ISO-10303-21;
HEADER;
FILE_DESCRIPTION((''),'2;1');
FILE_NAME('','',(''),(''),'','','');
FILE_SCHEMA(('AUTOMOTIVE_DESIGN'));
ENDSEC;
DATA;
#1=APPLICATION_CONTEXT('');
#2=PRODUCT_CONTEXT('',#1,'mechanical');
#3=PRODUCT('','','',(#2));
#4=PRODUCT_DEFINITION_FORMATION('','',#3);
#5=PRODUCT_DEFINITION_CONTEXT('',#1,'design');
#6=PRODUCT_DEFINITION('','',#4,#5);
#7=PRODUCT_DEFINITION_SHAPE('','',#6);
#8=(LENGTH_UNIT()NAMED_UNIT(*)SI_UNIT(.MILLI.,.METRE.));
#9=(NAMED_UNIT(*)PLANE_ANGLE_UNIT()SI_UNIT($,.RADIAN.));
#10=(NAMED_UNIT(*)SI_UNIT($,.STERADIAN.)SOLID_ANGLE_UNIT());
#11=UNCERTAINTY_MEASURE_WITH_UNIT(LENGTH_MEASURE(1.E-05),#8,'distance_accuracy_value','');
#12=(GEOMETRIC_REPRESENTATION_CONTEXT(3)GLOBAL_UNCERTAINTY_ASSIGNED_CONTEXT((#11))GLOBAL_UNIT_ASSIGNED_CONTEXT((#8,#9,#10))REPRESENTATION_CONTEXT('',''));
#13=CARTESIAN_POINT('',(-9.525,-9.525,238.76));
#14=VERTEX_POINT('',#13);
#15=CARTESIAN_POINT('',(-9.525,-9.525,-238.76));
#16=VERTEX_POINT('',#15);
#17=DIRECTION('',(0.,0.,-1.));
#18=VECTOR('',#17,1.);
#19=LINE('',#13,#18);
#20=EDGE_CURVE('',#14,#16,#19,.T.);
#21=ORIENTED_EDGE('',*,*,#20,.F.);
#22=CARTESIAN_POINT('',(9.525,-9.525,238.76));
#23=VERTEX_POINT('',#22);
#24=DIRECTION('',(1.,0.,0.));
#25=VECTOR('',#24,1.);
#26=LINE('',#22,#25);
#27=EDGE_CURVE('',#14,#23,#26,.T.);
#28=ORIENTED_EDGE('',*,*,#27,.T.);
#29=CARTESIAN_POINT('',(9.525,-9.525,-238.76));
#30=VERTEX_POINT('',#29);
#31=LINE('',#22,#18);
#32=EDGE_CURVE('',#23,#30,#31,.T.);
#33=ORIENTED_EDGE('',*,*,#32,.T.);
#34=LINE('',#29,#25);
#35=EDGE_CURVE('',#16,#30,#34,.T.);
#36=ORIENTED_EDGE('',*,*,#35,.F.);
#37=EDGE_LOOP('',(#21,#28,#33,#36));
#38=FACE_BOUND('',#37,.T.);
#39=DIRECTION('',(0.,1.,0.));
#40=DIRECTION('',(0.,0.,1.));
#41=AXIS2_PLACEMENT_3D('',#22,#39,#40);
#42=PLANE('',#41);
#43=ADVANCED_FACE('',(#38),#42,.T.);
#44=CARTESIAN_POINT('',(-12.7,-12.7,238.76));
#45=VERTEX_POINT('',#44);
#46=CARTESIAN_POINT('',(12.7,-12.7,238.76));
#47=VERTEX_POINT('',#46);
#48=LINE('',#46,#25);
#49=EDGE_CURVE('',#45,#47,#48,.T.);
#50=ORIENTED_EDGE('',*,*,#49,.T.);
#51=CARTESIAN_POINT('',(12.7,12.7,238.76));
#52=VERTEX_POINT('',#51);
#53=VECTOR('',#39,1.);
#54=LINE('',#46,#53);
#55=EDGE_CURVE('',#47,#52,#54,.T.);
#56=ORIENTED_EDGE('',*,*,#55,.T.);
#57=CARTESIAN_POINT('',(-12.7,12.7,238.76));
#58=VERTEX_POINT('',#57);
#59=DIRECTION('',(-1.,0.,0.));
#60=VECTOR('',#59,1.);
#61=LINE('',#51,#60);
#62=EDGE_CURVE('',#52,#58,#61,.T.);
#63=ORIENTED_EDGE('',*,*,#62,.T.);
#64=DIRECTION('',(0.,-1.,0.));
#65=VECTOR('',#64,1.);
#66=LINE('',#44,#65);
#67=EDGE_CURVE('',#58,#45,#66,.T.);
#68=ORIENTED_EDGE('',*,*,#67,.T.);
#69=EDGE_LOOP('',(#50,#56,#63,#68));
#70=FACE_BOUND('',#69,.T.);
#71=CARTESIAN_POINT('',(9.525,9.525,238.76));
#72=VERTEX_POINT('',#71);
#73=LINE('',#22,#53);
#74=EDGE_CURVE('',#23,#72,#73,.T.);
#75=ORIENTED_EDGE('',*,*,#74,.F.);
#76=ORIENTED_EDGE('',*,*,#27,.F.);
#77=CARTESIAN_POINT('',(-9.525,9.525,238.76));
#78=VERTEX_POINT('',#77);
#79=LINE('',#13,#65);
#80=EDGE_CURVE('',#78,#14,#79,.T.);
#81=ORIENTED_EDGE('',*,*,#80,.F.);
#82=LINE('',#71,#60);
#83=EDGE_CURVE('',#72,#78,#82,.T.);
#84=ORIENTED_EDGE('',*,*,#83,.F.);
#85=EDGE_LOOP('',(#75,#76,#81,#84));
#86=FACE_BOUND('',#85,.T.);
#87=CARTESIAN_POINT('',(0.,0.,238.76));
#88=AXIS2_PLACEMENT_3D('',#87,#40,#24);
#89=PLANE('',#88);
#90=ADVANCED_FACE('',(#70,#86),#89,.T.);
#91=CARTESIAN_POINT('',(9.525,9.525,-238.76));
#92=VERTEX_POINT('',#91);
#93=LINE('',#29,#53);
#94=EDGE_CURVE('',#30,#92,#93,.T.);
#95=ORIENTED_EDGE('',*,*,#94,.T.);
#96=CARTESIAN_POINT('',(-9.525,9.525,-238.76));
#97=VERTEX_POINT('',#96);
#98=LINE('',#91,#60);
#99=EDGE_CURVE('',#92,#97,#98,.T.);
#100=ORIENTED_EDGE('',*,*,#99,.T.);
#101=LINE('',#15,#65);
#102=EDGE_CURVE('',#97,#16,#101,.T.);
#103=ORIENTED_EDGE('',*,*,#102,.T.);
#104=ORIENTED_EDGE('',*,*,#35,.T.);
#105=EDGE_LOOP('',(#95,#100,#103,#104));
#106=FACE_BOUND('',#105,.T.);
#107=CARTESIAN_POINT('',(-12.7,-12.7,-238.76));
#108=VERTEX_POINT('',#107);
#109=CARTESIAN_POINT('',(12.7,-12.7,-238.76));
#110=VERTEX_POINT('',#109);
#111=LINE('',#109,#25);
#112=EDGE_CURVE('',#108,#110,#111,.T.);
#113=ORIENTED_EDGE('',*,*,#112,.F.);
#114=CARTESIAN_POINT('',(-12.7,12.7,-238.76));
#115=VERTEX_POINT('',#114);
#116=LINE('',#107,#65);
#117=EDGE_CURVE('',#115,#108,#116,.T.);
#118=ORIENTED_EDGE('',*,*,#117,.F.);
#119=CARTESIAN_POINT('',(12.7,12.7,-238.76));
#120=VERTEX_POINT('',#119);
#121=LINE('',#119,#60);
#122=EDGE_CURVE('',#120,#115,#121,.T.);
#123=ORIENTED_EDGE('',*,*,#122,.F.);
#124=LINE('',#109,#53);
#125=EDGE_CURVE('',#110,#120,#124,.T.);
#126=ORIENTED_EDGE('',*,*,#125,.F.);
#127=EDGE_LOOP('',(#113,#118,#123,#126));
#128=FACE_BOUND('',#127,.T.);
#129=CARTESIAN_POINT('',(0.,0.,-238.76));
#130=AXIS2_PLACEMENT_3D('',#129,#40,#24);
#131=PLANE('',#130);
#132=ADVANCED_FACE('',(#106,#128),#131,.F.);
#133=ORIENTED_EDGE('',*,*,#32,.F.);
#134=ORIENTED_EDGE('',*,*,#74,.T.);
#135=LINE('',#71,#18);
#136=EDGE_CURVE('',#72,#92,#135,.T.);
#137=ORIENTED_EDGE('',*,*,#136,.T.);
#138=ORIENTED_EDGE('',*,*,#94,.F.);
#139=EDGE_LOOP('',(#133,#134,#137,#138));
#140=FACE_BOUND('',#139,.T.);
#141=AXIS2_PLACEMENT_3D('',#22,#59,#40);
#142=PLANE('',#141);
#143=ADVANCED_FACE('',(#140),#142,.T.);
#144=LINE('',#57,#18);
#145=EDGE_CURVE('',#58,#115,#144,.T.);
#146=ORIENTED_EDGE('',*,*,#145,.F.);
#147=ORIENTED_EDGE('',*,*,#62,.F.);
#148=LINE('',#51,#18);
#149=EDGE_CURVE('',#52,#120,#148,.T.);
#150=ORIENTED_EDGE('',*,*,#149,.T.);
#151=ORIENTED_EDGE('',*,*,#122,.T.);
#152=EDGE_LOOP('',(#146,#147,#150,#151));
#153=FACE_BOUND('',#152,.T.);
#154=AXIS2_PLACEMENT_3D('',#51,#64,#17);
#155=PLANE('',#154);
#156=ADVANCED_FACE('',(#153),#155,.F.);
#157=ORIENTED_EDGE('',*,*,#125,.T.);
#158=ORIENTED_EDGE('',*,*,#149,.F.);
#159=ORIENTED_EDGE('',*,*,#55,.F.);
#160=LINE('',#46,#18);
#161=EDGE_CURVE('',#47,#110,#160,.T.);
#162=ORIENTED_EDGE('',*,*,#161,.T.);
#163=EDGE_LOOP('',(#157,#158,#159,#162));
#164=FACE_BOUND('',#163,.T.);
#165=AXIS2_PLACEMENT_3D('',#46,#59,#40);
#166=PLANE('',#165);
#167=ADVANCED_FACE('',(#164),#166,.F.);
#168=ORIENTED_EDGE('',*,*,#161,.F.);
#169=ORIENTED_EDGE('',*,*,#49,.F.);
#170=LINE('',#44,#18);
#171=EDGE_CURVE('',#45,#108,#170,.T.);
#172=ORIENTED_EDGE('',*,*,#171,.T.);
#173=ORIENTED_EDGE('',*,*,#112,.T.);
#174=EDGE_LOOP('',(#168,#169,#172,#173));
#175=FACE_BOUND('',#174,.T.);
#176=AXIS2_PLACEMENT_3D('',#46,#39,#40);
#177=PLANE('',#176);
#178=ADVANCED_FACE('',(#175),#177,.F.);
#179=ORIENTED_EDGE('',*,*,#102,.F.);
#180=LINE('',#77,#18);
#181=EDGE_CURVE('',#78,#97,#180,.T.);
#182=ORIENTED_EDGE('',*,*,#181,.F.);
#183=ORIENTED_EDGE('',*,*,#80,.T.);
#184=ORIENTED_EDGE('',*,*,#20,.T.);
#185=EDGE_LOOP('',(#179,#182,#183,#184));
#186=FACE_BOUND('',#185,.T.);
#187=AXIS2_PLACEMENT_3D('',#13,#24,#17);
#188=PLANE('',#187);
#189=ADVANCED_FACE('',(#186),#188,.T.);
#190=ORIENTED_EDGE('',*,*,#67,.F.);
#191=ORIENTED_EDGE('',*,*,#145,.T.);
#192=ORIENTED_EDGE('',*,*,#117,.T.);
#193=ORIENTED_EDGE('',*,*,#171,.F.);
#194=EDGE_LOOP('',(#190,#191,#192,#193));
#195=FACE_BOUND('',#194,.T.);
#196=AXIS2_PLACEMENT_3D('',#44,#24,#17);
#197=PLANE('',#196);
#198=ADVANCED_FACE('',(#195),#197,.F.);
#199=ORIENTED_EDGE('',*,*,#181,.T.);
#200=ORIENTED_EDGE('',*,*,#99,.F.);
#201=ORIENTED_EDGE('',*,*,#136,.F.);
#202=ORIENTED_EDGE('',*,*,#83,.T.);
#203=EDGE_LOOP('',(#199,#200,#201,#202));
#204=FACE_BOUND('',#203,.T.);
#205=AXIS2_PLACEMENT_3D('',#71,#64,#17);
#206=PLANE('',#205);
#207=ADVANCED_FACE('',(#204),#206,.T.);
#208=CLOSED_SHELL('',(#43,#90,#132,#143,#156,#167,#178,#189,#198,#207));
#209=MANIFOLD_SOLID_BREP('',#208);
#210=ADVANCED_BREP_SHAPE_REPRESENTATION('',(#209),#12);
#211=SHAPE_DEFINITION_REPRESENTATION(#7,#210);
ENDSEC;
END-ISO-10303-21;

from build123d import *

# Parameters (mm, degrees)
BOSS_EXTRUDE1_DEPTH      = 238.76
BOSS_EXTRUDE1_DEPTH_BACK = 238.76
SKETCH3_W                = 25.4
SKETCH3_H                = 25.4
SKETCH3_W_2              = 19.05
SKETCH3_H_2              = 19.05


with BuildPart() as part:
    # Sketch3 → Boss-Extrude1 (new, two sides: drawn at the far end of the back side and taken through both)
    with BuildSketch(Plane.XY.offset(-BOSS_EXTRUDE1_DEPTH_BACK)):
        Rectangle(SKETCH3_W, SKETCH3_H)
        Rectangle(SKETCH3_W_2, SKETCH3_H_2, mode=Mode.SUBTRACT)
    extrude(amount=BOSS_EXTRUDE1_DEPTH + BOSS_EXTRUDE1_DEPTH_BACK)


solid = part.part
